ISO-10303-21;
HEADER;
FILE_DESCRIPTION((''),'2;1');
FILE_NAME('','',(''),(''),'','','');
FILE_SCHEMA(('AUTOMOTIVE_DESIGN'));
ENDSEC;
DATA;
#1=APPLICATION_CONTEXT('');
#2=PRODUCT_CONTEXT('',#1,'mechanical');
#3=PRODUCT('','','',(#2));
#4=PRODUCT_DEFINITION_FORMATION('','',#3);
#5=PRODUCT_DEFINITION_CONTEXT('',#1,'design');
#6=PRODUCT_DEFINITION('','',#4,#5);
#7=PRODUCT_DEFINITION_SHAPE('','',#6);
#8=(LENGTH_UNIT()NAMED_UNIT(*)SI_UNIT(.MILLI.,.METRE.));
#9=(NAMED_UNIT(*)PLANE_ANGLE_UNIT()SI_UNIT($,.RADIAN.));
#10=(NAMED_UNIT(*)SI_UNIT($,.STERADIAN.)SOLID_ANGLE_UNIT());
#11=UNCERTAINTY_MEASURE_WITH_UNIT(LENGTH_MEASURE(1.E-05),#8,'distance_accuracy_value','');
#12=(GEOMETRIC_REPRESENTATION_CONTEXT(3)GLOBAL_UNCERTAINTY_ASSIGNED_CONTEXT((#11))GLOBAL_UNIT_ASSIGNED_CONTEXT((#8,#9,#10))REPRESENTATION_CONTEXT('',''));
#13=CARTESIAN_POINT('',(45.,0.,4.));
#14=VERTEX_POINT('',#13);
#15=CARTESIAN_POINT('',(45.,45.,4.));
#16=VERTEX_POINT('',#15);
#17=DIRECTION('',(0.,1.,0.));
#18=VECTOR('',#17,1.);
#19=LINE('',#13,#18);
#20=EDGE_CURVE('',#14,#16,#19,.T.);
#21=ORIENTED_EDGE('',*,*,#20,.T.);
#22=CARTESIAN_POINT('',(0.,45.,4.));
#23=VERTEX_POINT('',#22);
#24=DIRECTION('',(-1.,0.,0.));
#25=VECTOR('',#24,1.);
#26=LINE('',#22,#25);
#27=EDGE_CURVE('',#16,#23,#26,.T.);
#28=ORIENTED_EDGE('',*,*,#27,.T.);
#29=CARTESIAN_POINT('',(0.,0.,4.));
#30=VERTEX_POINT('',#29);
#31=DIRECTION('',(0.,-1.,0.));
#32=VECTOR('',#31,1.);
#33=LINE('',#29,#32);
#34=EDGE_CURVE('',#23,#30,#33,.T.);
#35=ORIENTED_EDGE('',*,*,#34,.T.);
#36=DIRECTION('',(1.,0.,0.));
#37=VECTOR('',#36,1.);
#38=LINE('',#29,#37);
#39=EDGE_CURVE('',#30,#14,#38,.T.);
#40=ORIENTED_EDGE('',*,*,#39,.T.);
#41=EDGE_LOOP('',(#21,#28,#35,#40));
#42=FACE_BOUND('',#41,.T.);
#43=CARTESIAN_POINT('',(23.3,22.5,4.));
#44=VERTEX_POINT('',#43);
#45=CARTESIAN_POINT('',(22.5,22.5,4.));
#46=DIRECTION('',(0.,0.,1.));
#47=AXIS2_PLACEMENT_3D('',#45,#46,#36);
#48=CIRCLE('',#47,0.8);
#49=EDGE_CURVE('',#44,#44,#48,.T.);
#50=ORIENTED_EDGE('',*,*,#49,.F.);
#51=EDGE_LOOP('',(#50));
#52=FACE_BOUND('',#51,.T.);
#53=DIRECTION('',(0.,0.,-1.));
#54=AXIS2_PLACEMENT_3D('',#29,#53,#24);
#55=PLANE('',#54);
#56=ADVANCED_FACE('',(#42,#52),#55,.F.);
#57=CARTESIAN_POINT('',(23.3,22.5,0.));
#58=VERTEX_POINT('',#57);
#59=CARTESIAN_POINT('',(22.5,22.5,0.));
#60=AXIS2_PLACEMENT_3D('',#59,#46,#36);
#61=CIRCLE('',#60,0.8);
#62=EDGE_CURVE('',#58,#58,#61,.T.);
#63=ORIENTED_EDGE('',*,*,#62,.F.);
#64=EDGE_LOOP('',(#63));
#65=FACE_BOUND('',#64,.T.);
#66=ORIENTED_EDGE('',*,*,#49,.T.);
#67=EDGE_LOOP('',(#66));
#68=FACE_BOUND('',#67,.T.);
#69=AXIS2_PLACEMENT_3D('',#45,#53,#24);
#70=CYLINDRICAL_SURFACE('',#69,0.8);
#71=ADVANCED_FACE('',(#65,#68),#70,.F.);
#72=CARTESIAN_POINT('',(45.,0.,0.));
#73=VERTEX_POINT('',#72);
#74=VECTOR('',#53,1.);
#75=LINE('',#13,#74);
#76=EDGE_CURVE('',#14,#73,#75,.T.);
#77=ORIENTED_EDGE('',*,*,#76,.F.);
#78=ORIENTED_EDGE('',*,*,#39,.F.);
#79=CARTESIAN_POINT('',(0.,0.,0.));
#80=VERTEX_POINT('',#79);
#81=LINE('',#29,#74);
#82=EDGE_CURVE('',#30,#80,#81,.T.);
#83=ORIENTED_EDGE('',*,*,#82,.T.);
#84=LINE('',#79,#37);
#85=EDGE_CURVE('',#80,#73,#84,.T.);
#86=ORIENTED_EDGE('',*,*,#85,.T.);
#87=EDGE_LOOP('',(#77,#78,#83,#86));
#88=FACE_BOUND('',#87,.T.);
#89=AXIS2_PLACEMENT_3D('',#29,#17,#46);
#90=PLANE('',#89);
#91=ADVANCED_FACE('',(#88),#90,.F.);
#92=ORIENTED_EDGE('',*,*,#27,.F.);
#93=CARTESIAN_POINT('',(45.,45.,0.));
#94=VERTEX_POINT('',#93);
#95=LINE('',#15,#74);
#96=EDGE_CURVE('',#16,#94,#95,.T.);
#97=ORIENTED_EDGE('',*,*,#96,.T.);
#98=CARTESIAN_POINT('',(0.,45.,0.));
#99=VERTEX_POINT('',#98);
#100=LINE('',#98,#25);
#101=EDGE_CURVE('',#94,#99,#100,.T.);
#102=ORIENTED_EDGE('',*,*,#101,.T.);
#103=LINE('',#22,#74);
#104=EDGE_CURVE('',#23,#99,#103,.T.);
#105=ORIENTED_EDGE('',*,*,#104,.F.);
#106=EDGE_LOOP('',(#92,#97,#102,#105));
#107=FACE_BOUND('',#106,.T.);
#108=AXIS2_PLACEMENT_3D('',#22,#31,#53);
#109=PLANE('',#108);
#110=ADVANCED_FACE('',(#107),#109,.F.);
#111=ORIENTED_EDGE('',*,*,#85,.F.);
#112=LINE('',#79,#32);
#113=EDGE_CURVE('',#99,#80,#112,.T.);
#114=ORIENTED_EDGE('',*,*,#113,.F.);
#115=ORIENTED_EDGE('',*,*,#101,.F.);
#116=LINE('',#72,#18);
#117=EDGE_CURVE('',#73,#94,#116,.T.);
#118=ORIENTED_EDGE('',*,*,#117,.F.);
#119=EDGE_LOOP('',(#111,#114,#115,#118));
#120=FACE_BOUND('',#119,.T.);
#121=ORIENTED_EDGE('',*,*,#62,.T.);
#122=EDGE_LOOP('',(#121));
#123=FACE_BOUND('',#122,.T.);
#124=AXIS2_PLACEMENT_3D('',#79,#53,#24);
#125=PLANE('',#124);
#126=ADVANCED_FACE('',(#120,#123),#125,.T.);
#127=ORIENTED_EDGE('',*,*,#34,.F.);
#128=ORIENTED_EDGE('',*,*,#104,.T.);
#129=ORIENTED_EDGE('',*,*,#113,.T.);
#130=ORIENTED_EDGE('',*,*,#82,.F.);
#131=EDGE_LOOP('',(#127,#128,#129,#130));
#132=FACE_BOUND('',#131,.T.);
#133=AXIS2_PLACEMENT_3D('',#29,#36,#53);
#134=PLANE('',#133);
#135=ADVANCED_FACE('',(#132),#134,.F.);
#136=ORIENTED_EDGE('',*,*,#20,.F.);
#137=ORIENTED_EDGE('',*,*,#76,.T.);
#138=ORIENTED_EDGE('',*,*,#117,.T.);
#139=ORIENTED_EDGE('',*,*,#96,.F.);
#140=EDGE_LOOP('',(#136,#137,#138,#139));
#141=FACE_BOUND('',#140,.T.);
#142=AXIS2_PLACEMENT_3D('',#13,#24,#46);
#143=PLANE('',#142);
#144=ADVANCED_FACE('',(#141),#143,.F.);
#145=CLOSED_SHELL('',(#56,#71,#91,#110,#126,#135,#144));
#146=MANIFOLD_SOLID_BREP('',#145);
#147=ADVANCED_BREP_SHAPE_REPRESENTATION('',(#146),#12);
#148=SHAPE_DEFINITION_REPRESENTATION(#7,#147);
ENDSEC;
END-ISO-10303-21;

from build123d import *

# Parameters (mm, degrees)
SKETCH1_W           = 45
SKETCH1_H           = 45
SKETCH1_R           = 0.8
BOSS_EXTRUDE1_DEPTH = 4


with BuildPart() as part:
    # Sketch1 → Boss-Extrude1 (new body)
    with BuildSketch(Plane.XY):
        with Locations((22.5, 22.5)):
            Rectangle(SKETCH1_W, SKETCH1_H)
        with Locations((22.5, 22.5)):
            Circle(SKETCH1_R, mode=Mode.SUBTRACT)
    extrude(amount=BOSS_EXTRUDE1_DEPTH)


solid = part.part
